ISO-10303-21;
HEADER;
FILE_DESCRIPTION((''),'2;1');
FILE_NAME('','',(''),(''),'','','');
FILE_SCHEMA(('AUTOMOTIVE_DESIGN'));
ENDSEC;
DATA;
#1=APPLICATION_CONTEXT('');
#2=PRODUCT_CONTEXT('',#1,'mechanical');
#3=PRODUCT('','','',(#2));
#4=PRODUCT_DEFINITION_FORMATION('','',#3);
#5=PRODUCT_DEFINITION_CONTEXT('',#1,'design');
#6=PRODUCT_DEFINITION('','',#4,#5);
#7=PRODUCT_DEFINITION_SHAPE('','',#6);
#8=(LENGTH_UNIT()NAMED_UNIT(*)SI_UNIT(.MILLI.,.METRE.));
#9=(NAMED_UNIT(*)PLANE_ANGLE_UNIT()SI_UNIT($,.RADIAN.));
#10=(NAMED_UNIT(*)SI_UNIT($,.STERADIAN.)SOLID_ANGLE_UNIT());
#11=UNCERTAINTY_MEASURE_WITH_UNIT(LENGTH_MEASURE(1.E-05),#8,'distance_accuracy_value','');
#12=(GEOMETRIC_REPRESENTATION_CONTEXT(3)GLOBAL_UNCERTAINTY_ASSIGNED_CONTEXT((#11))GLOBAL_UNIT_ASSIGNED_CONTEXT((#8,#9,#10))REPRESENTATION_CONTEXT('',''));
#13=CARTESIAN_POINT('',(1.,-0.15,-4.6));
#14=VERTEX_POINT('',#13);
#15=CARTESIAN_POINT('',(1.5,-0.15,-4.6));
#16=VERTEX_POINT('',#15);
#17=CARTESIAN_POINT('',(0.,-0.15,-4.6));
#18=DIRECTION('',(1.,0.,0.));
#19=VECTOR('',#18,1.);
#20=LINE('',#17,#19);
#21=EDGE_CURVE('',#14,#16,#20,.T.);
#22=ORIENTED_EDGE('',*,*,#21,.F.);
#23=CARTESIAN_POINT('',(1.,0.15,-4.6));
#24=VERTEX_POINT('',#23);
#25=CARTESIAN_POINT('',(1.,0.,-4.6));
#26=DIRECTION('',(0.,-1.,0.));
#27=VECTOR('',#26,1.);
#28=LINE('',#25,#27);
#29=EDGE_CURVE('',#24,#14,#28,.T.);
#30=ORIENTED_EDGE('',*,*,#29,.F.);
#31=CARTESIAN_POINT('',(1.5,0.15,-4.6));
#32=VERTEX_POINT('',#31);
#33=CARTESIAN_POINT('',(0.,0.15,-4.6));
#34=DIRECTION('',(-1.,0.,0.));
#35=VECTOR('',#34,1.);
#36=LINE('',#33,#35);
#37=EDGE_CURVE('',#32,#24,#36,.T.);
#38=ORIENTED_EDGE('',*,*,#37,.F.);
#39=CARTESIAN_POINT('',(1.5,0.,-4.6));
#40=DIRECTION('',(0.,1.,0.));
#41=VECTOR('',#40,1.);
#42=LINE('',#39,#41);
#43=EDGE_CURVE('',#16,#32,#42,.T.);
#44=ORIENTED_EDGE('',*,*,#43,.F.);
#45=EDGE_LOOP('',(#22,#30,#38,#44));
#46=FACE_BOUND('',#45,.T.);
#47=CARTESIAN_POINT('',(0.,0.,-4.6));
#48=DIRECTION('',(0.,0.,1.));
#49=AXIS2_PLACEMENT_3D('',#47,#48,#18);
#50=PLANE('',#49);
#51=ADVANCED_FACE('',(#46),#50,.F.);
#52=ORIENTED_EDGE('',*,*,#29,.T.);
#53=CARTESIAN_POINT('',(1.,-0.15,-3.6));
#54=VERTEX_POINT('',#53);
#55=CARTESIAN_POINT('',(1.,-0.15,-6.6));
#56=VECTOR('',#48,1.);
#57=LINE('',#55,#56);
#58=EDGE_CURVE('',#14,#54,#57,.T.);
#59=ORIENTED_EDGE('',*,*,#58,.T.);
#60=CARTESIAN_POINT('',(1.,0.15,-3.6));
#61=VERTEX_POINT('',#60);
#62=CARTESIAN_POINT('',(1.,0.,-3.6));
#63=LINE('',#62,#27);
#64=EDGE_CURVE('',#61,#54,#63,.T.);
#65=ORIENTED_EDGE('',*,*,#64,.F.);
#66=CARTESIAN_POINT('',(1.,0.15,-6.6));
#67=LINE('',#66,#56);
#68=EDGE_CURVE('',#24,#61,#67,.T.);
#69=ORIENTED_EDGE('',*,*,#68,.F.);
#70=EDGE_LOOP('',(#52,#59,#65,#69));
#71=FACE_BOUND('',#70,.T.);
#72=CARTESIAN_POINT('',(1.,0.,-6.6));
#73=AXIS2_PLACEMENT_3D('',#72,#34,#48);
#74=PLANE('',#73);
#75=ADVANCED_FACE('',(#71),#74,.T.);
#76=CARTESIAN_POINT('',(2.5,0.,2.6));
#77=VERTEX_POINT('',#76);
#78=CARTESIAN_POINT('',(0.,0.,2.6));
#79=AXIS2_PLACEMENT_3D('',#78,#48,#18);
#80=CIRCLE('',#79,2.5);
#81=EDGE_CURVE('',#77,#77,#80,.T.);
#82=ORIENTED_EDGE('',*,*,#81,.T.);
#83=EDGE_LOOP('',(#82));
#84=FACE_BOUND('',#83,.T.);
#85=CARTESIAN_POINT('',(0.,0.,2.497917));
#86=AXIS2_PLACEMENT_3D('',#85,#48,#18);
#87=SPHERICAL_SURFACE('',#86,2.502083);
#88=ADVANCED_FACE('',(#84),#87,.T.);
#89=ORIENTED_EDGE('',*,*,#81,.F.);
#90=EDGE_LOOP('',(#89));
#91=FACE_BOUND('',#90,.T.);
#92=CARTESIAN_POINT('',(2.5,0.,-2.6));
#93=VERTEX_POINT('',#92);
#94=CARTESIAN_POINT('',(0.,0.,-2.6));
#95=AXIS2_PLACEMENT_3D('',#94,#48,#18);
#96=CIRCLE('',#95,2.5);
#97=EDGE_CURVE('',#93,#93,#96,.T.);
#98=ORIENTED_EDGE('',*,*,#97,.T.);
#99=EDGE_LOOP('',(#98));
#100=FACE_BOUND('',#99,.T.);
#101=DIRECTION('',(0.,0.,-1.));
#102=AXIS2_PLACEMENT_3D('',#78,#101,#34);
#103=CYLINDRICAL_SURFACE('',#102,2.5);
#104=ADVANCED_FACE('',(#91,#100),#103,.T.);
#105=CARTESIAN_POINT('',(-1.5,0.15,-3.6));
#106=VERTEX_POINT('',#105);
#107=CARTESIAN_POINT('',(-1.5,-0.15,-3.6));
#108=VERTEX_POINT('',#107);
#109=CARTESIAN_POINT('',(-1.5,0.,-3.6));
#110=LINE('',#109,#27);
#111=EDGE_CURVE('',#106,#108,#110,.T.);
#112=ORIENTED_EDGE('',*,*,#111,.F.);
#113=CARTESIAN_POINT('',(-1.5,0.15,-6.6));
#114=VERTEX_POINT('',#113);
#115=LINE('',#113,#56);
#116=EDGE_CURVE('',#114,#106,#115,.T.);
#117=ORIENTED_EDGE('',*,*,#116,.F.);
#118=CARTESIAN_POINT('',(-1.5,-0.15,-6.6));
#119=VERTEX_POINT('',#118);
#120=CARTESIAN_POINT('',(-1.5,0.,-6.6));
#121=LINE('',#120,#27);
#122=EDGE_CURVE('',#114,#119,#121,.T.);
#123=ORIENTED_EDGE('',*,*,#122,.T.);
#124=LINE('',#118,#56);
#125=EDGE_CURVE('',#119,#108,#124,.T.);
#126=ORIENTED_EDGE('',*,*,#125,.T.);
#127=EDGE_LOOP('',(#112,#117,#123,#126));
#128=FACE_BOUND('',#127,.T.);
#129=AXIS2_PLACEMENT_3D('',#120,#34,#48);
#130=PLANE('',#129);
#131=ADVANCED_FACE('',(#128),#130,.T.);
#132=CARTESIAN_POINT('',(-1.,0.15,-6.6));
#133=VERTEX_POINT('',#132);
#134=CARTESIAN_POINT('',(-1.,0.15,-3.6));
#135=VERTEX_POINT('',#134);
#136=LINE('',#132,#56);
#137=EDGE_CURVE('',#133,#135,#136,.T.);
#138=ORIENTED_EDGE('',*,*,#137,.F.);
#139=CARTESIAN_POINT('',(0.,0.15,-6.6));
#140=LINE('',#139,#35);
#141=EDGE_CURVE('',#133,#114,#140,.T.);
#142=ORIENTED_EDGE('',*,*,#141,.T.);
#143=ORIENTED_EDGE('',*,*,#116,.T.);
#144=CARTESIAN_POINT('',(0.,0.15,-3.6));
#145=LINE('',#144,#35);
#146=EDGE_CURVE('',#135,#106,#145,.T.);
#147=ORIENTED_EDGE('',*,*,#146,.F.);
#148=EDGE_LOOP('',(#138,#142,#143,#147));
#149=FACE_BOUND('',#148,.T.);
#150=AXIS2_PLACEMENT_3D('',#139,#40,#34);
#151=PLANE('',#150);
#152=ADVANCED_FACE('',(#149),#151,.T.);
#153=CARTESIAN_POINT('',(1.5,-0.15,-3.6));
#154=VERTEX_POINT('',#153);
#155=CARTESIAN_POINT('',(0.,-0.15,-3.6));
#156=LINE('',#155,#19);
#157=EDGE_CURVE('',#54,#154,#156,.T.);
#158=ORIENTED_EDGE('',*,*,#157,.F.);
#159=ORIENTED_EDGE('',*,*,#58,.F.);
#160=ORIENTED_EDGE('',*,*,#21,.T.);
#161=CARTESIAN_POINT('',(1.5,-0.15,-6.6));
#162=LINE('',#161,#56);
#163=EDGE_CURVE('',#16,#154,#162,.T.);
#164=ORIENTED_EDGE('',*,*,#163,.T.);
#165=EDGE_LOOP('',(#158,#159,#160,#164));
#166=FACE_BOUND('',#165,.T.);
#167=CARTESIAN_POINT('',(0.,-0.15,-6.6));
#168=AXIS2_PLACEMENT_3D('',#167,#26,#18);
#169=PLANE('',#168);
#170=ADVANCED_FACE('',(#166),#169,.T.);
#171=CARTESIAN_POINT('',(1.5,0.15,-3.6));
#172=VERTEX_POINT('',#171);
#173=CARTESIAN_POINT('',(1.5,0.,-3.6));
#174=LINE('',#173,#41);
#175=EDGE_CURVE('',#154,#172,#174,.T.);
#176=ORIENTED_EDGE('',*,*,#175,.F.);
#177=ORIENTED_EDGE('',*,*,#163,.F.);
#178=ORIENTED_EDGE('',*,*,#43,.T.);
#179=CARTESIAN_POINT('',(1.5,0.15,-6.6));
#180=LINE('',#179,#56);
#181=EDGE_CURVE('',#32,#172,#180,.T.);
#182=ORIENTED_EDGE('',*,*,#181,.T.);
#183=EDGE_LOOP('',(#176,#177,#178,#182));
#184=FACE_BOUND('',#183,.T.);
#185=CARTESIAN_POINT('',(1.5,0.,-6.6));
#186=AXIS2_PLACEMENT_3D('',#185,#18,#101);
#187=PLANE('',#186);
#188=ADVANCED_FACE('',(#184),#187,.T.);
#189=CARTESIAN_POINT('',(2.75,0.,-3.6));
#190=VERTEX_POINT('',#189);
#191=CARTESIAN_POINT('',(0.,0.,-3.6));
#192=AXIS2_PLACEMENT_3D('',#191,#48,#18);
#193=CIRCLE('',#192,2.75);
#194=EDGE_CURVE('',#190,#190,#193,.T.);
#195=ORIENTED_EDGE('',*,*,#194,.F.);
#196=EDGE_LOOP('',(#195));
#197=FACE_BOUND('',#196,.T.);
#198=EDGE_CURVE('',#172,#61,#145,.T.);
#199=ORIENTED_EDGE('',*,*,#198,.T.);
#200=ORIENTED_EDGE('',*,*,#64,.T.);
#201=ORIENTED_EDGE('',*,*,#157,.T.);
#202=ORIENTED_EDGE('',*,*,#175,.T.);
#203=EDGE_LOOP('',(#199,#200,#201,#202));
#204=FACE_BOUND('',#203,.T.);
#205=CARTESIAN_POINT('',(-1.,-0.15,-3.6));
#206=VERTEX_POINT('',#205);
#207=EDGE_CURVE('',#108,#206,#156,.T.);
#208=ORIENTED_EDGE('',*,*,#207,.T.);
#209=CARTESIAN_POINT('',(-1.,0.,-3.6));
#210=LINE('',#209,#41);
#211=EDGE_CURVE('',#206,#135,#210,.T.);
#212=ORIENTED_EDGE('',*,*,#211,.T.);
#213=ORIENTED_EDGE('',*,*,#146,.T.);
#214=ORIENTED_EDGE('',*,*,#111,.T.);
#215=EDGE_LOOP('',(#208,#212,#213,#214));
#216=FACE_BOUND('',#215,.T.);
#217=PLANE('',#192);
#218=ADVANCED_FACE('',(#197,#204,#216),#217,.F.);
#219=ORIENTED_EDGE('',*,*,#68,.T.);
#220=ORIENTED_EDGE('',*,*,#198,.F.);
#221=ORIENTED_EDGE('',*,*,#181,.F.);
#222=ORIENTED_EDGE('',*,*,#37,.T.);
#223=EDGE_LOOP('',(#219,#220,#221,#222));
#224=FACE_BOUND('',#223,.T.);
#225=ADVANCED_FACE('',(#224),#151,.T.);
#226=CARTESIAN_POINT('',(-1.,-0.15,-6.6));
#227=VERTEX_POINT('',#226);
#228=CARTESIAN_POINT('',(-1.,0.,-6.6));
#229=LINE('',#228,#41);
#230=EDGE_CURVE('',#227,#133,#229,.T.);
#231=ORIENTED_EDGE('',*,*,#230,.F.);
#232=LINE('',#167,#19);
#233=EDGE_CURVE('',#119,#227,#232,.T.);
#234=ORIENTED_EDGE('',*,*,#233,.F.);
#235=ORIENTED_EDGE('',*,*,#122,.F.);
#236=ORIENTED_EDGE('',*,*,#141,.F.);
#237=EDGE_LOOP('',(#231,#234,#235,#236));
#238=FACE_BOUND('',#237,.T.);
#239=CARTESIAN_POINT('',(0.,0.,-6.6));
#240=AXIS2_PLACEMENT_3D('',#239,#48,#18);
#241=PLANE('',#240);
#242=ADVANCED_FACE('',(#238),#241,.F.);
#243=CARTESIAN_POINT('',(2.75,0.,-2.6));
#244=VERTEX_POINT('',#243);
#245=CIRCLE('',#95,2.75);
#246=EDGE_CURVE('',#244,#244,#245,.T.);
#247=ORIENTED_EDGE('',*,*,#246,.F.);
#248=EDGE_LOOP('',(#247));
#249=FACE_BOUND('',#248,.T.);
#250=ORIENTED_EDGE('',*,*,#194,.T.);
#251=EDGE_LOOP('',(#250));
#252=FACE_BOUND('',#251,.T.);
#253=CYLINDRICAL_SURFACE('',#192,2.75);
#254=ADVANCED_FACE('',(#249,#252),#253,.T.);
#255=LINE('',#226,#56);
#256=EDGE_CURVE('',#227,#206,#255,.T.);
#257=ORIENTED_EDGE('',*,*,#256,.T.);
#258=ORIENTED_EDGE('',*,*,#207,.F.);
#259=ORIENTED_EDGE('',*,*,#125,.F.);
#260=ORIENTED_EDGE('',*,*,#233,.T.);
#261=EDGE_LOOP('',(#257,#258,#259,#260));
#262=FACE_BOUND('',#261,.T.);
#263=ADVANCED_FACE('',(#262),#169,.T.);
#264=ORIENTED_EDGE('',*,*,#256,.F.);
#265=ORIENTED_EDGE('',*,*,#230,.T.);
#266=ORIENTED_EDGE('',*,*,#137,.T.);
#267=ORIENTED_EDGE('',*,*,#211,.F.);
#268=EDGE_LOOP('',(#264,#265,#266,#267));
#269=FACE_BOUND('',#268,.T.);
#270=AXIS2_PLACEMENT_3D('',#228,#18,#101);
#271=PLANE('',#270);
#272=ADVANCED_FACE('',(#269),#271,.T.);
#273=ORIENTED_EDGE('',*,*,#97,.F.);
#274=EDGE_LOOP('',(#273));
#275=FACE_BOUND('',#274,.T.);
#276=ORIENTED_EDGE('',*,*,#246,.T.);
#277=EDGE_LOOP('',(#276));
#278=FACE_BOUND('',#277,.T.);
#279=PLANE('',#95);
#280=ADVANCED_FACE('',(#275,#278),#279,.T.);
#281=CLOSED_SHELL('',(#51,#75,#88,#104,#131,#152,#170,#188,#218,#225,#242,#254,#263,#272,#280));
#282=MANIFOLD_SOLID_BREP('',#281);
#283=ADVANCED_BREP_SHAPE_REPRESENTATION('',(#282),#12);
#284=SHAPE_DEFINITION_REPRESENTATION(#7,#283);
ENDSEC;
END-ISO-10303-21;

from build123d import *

# Parameters (mm, degrees)
SKETCH1_R           = 2.5
BOSS_EXTRUDE1_DEPTH = 2.6
BOSS_EXTRUDE2_START = -2.6
SKETCH2_R           = 2.75
BOSS_EXTRUDE2_DEPTH = 1
DOME1_FACE_RADIUS   = 2.5
DOME1_HEIGHT        = 2.4
BOSS_EXTRUDE3_START = -3.6
SKETCH3_W           = 0.5
SKETCH3_H           = 0.3
BOSS_EXTRUDE3_DEPTH = 3
CUT_EXTRUDE1_START  = -6.6
SKETCH4_W           = 0.5
SKETCH4_H           = 0.3
CUT_EXTRUDE1_DEPTH  = 2


with BuildPart() as part:
    # Sketch1 → Boss-Extrude1 (new, symmetric)
    with BuildSketch(Plane.XY):
        Circle(SKETCH1_R)
    extrude(amount=BOSS_EXTRUDE1_DEPTH, both=True)

    # Sketch2 → Boss-Extrude2 (add)
    with BuildSketch(Plane.XY.offset(BOSS_EXTRUDE2_START)):
        Circle(SKETCH2_R)
    extrude(amount=-BOSS_EXTRUDE2_DEPTH)

    # Dome1: a dome of height H over a round flat face of radius A is a cap of a sphere of radius (A * A + H * H) / (2 * H)
    dome1_r = (DOME1_FACE_RADIUS * DOME1_FACE_RADIUS + DOME1_HEIGHT * DOME1_HEIGHT) / (2 * DOME1_HEIGHT)
    dome1_base = Plane((0, 0, 2.6), z_dir=(0, 0, 1))
    with Locations(dome1_base.offset(DOME1_HEIGHT - dome1_r)):
        dome1_ball = Sphere(dome1_r, mode=Mode.PRIVATE)
    add(split(dome1_ball, bisect_by=dome1_base, keep=Keep.TOP, mode=Mode.PRIVATE))

    # Sketch3 → Boss-Extrude3 (add)
    with BuildSketch(Plane.XY.offset(BOSS_EXTRUDE3_START)):
        with Locations((1.25, 0)):
            Rectangle(SKETCH3_W, SKETCH3_H)
        with Locations((-1.25, 0)):
            Rectangle(SKETCH3_W, SKETCH3_H)
    extrude(amount=-BOSS_EXTRUDE3_DEPTH)

    # Sketch4 → Cut-Extrude1 (cut)
    with BuildSketch(Plane.XY.offset(CUT_EXTRUDE1_START)):
        with Locations((1.25, 0)):
            Rectangle(SKETCH4_W, SKETCH4_H)
    extrude(amount=CUT_EXTRUDE1_DEPTH, mode=Mode.SUBTRACT)


solid = part.part
